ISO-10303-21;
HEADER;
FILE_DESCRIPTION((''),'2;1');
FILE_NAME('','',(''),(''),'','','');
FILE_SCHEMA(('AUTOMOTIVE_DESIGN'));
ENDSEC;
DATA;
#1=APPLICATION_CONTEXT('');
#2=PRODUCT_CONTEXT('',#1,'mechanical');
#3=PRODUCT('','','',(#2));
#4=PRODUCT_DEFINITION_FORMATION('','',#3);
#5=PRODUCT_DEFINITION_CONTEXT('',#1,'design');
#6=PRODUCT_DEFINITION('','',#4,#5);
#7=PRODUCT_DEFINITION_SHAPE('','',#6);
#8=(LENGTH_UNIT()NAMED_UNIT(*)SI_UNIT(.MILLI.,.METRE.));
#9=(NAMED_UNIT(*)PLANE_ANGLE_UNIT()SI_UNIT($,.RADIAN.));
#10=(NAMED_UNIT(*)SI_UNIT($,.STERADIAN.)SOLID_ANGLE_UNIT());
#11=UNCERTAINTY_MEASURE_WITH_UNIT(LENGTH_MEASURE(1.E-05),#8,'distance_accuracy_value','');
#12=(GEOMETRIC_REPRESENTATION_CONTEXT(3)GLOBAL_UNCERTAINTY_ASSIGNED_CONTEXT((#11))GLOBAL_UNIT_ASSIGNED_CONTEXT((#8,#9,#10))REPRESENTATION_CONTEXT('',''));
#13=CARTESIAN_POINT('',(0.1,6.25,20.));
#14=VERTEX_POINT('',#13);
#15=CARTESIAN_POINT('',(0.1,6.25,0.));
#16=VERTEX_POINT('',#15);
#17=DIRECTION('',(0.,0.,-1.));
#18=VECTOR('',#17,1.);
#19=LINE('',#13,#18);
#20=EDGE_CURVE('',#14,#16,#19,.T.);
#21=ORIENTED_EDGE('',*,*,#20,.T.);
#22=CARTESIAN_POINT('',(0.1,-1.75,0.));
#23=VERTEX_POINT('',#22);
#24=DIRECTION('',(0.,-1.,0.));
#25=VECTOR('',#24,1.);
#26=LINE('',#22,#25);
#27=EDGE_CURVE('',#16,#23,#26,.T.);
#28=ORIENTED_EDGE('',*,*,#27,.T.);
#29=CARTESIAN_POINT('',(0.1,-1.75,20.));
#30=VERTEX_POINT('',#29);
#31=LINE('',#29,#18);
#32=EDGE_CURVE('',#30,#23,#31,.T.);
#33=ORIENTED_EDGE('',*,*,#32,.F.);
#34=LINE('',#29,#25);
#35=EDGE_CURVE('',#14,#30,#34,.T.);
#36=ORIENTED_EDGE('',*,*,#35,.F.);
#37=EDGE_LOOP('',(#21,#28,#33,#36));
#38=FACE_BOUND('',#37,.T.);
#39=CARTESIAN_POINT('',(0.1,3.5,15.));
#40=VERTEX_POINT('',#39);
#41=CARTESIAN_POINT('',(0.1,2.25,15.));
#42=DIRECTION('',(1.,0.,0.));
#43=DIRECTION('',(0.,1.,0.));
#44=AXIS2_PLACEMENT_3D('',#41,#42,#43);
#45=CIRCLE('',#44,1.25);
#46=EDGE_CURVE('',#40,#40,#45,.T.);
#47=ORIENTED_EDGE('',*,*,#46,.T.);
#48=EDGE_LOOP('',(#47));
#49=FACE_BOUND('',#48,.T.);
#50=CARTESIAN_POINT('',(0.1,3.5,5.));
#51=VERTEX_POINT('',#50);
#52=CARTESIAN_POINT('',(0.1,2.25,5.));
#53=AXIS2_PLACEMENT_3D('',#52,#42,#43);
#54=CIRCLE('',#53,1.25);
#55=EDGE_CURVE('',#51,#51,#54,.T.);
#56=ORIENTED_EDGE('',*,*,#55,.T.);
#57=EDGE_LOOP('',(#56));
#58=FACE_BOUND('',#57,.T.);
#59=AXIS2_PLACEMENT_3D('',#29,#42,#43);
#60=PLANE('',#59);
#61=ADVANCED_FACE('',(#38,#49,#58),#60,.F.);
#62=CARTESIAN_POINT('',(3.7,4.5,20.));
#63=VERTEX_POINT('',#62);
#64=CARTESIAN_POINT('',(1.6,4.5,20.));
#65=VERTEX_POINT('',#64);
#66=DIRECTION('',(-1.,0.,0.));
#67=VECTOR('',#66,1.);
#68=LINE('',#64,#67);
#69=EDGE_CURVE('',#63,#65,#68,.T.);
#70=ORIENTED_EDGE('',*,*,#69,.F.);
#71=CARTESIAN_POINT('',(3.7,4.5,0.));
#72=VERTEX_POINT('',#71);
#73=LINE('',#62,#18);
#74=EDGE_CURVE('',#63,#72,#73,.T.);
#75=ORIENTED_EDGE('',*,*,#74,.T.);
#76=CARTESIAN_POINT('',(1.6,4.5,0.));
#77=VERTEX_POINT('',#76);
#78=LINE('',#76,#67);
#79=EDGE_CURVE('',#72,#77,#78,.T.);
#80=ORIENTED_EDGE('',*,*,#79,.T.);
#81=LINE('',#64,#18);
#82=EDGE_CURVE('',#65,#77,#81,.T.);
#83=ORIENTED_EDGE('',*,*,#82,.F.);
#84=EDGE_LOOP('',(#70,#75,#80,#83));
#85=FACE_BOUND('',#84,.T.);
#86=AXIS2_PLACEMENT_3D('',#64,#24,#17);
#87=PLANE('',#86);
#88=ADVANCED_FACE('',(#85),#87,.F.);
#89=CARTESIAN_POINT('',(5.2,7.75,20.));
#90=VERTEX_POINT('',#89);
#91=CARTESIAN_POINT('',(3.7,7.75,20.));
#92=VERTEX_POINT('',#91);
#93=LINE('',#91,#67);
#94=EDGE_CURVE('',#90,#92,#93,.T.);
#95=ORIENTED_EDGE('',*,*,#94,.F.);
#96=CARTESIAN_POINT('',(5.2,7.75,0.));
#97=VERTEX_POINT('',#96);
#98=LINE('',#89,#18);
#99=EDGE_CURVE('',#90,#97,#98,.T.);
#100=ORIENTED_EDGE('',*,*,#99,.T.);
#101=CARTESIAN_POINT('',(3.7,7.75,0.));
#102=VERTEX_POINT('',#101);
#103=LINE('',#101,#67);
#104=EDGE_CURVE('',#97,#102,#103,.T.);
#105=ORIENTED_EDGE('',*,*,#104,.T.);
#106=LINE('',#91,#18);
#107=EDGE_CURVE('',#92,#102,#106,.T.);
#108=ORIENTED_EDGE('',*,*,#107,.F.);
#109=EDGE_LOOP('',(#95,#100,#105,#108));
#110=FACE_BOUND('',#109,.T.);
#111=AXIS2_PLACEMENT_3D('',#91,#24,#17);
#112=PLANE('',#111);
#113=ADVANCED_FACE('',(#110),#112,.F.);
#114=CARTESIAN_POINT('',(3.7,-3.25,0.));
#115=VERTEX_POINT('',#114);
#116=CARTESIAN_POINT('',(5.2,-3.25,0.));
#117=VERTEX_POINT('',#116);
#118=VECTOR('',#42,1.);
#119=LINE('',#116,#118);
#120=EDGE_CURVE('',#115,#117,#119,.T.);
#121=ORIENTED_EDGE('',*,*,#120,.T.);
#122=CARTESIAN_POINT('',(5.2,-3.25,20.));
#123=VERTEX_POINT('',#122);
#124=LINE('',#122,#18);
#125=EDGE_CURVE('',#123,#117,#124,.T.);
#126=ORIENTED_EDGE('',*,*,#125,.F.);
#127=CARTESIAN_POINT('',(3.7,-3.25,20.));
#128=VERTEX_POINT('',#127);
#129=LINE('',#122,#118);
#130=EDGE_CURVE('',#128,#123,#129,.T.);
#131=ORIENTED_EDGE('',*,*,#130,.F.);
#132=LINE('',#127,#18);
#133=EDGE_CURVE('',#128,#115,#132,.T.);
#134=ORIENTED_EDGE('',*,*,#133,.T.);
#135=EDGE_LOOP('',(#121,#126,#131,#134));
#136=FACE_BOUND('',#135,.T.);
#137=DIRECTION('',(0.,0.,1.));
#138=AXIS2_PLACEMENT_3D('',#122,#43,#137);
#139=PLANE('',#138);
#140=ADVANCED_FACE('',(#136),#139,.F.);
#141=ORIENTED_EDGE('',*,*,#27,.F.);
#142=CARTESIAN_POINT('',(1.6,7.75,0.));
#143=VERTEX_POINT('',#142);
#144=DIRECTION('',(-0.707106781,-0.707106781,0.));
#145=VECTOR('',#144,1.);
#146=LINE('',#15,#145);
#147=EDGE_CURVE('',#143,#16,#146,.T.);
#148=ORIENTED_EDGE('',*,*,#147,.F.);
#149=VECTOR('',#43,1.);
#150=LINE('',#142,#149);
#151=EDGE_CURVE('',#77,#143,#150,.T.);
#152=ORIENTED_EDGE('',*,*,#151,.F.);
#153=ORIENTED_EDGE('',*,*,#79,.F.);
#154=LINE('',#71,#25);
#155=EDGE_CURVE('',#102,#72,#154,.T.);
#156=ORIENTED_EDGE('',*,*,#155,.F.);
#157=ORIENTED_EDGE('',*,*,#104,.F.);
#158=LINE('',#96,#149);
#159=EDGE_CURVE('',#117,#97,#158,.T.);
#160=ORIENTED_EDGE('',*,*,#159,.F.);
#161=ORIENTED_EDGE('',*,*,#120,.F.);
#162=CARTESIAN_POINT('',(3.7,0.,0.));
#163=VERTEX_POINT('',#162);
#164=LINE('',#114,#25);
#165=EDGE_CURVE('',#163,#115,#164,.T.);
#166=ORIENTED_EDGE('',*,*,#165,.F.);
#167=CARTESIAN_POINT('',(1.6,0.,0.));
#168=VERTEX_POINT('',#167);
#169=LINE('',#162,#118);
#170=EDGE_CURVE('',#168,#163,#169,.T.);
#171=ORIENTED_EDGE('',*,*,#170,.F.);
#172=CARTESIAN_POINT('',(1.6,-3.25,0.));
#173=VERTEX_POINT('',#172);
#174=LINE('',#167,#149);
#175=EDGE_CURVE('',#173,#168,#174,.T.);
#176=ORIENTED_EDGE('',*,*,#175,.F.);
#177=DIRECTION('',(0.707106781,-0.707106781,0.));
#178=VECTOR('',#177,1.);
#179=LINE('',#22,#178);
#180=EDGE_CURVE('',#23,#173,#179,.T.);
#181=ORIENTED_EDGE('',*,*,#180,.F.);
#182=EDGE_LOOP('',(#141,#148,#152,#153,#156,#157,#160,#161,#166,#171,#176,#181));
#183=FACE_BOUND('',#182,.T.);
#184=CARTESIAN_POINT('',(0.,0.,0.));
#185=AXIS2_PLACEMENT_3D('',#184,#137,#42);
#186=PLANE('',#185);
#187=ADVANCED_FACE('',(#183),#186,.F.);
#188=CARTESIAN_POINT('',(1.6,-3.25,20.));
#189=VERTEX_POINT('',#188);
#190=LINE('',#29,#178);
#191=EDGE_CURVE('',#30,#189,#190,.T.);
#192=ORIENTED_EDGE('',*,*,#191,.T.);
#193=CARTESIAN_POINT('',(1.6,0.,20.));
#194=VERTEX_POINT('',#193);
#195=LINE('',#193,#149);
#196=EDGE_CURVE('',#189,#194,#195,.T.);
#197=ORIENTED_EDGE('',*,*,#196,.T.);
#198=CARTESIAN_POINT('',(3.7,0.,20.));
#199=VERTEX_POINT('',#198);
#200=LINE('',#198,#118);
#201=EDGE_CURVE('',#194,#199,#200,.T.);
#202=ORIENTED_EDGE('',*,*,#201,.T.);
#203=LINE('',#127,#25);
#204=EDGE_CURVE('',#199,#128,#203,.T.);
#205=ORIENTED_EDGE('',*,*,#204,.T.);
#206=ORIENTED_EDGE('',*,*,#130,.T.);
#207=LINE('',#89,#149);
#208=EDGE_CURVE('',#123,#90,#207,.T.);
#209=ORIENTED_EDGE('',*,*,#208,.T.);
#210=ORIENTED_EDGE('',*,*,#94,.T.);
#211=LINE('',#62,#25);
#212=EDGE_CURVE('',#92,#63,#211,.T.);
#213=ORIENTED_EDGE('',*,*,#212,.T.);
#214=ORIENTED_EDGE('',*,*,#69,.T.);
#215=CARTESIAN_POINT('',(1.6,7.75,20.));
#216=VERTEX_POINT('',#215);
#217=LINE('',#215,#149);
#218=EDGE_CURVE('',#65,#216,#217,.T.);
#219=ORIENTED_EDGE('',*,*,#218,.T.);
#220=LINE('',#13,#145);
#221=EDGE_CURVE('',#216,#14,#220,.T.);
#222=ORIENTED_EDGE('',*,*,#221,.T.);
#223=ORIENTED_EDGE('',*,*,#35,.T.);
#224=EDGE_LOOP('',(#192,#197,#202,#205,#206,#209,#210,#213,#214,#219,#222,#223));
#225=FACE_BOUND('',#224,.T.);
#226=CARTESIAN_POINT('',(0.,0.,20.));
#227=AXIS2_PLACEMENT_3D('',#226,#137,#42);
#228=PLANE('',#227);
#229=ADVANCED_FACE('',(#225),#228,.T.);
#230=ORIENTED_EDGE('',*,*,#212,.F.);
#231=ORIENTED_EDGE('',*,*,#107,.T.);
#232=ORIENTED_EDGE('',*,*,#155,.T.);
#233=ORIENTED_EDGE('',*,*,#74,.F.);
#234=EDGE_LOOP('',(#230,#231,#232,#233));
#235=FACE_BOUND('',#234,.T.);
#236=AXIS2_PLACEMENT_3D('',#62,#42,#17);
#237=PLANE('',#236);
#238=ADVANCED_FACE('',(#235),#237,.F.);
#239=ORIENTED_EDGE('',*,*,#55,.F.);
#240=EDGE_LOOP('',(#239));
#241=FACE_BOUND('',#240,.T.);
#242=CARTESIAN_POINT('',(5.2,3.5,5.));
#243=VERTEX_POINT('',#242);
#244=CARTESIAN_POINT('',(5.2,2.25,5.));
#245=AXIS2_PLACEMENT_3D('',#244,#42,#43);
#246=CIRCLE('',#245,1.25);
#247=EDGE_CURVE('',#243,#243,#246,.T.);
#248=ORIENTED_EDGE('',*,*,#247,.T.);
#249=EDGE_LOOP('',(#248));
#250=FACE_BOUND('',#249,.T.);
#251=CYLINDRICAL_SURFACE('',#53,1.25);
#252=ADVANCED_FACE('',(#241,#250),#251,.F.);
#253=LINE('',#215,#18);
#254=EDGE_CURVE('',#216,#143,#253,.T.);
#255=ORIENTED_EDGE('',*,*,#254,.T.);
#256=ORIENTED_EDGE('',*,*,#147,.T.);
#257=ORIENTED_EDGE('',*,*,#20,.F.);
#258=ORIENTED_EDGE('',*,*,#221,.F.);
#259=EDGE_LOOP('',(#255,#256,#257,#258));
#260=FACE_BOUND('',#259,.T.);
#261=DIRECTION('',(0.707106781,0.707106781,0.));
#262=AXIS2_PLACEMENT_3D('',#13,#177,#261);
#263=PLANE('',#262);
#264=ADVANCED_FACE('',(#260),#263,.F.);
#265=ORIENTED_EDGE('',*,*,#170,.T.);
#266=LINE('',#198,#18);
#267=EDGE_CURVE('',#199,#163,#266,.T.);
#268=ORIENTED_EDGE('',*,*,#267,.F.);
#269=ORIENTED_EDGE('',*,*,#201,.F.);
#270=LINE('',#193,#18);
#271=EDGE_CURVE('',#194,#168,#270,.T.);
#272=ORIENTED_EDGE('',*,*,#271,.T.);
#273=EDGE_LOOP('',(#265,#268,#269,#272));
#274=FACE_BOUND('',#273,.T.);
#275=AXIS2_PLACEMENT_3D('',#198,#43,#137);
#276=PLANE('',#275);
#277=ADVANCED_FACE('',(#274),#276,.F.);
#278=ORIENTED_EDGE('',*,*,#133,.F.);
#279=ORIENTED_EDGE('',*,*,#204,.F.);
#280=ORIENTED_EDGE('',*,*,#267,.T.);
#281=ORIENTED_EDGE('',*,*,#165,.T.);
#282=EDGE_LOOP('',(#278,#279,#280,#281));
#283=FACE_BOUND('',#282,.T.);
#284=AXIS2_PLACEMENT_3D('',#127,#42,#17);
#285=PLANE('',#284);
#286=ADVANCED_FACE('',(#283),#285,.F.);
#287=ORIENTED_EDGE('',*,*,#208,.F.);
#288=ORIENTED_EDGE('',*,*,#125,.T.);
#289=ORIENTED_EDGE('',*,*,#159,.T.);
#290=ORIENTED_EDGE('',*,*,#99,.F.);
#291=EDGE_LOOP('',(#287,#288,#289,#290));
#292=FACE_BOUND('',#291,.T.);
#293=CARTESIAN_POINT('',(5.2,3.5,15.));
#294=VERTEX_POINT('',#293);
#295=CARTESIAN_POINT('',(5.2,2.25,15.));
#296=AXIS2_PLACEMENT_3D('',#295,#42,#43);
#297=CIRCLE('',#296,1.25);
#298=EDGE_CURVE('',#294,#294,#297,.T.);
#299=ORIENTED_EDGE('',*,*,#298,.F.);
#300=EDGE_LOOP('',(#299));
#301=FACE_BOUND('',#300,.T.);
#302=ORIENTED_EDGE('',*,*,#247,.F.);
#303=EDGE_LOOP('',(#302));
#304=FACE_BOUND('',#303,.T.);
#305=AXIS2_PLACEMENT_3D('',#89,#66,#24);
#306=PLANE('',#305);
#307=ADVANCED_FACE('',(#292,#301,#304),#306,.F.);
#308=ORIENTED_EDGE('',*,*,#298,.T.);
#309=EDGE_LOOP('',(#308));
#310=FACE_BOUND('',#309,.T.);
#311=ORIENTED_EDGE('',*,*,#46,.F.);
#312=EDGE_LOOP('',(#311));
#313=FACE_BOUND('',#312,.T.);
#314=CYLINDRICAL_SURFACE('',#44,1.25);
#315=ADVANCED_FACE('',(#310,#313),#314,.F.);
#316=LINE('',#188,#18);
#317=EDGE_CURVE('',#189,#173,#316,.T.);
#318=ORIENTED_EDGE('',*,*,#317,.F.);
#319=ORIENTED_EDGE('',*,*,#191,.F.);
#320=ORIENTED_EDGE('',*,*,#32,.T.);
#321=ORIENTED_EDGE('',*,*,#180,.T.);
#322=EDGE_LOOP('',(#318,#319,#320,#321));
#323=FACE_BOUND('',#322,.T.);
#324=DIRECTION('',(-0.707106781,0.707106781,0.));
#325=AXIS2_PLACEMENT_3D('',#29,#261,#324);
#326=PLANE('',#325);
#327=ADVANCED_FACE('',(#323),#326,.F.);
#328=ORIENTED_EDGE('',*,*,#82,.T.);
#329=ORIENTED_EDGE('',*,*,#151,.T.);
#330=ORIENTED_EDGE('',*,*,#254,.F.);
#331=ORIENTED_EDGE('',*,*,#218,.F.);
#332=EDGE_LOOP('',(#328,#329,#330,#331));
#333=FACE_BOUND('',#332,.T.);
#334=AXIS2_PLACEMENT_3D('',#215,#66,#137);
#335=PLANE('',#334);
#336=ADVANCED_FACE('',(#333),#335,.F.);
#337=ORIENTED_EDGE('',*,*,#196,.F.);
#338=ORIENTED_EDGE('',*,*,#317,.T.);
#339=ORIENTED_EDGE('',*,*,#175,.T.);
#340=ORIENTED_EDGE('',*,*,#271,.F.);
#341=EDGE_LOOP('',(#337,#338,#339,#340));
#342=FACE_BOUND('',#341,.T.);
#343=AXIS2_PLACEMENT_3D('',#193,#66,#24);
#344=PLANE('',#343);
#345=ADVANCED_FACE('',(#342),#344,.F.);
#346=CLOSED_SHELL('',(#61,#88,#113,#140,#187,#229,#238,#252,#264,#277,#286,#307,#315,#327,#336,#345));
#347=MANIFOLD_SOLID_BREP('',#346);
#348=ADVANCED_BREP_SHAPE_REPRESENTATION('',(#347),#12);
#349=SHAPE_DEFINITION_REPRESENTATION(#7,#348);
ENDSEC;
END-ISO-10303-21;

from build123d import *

# Parameters (mm, degrees)
BOSS_EXTRU_1_DEPTH      = 20
ESQUISSE1_R             = 1.25
ENL_V_MAT_EXTRU_1_DEPTH = 6.1


with BuildPart() as part:
    # ProfileRainureEsquisse → Boss.-Extru.1 (new body)
    with BuildSketch(Plane.XY):
        Polygon((0.1, -1.75), (0.1, 6.25), (1.6, 7.75), (1.6, 4.5), (3.7, 4.5), (3.7, 7.75), (5.2, 7.75), (5.2, -3.25), (3.7, -3.25), (3.7, 0), (1.6, 0), (1.6, -3.25), align=None)
    extrude(amount=BOSS_EXTRU_1_DEPTH)

    # Esquisse1 → Enlèv. mat.-Extru.1 (cut, through all)
    with BuildSketch(Plane(origin=(5.2, 0, 0), x_dir=(0, 0, -1), z_dir=(1, 0, 0))):
        with Locations((-15, 2.25)):
            Circle(ESQUISSE1_R)
        with Locations((-5, 2.25)):
            Circle(ESQUISSE1_R)
    extrude(amount=-ENL_V_MAT_EXTRU_1_DEPTH, mode=Mode.SUBTRACT)


solid = part.part
